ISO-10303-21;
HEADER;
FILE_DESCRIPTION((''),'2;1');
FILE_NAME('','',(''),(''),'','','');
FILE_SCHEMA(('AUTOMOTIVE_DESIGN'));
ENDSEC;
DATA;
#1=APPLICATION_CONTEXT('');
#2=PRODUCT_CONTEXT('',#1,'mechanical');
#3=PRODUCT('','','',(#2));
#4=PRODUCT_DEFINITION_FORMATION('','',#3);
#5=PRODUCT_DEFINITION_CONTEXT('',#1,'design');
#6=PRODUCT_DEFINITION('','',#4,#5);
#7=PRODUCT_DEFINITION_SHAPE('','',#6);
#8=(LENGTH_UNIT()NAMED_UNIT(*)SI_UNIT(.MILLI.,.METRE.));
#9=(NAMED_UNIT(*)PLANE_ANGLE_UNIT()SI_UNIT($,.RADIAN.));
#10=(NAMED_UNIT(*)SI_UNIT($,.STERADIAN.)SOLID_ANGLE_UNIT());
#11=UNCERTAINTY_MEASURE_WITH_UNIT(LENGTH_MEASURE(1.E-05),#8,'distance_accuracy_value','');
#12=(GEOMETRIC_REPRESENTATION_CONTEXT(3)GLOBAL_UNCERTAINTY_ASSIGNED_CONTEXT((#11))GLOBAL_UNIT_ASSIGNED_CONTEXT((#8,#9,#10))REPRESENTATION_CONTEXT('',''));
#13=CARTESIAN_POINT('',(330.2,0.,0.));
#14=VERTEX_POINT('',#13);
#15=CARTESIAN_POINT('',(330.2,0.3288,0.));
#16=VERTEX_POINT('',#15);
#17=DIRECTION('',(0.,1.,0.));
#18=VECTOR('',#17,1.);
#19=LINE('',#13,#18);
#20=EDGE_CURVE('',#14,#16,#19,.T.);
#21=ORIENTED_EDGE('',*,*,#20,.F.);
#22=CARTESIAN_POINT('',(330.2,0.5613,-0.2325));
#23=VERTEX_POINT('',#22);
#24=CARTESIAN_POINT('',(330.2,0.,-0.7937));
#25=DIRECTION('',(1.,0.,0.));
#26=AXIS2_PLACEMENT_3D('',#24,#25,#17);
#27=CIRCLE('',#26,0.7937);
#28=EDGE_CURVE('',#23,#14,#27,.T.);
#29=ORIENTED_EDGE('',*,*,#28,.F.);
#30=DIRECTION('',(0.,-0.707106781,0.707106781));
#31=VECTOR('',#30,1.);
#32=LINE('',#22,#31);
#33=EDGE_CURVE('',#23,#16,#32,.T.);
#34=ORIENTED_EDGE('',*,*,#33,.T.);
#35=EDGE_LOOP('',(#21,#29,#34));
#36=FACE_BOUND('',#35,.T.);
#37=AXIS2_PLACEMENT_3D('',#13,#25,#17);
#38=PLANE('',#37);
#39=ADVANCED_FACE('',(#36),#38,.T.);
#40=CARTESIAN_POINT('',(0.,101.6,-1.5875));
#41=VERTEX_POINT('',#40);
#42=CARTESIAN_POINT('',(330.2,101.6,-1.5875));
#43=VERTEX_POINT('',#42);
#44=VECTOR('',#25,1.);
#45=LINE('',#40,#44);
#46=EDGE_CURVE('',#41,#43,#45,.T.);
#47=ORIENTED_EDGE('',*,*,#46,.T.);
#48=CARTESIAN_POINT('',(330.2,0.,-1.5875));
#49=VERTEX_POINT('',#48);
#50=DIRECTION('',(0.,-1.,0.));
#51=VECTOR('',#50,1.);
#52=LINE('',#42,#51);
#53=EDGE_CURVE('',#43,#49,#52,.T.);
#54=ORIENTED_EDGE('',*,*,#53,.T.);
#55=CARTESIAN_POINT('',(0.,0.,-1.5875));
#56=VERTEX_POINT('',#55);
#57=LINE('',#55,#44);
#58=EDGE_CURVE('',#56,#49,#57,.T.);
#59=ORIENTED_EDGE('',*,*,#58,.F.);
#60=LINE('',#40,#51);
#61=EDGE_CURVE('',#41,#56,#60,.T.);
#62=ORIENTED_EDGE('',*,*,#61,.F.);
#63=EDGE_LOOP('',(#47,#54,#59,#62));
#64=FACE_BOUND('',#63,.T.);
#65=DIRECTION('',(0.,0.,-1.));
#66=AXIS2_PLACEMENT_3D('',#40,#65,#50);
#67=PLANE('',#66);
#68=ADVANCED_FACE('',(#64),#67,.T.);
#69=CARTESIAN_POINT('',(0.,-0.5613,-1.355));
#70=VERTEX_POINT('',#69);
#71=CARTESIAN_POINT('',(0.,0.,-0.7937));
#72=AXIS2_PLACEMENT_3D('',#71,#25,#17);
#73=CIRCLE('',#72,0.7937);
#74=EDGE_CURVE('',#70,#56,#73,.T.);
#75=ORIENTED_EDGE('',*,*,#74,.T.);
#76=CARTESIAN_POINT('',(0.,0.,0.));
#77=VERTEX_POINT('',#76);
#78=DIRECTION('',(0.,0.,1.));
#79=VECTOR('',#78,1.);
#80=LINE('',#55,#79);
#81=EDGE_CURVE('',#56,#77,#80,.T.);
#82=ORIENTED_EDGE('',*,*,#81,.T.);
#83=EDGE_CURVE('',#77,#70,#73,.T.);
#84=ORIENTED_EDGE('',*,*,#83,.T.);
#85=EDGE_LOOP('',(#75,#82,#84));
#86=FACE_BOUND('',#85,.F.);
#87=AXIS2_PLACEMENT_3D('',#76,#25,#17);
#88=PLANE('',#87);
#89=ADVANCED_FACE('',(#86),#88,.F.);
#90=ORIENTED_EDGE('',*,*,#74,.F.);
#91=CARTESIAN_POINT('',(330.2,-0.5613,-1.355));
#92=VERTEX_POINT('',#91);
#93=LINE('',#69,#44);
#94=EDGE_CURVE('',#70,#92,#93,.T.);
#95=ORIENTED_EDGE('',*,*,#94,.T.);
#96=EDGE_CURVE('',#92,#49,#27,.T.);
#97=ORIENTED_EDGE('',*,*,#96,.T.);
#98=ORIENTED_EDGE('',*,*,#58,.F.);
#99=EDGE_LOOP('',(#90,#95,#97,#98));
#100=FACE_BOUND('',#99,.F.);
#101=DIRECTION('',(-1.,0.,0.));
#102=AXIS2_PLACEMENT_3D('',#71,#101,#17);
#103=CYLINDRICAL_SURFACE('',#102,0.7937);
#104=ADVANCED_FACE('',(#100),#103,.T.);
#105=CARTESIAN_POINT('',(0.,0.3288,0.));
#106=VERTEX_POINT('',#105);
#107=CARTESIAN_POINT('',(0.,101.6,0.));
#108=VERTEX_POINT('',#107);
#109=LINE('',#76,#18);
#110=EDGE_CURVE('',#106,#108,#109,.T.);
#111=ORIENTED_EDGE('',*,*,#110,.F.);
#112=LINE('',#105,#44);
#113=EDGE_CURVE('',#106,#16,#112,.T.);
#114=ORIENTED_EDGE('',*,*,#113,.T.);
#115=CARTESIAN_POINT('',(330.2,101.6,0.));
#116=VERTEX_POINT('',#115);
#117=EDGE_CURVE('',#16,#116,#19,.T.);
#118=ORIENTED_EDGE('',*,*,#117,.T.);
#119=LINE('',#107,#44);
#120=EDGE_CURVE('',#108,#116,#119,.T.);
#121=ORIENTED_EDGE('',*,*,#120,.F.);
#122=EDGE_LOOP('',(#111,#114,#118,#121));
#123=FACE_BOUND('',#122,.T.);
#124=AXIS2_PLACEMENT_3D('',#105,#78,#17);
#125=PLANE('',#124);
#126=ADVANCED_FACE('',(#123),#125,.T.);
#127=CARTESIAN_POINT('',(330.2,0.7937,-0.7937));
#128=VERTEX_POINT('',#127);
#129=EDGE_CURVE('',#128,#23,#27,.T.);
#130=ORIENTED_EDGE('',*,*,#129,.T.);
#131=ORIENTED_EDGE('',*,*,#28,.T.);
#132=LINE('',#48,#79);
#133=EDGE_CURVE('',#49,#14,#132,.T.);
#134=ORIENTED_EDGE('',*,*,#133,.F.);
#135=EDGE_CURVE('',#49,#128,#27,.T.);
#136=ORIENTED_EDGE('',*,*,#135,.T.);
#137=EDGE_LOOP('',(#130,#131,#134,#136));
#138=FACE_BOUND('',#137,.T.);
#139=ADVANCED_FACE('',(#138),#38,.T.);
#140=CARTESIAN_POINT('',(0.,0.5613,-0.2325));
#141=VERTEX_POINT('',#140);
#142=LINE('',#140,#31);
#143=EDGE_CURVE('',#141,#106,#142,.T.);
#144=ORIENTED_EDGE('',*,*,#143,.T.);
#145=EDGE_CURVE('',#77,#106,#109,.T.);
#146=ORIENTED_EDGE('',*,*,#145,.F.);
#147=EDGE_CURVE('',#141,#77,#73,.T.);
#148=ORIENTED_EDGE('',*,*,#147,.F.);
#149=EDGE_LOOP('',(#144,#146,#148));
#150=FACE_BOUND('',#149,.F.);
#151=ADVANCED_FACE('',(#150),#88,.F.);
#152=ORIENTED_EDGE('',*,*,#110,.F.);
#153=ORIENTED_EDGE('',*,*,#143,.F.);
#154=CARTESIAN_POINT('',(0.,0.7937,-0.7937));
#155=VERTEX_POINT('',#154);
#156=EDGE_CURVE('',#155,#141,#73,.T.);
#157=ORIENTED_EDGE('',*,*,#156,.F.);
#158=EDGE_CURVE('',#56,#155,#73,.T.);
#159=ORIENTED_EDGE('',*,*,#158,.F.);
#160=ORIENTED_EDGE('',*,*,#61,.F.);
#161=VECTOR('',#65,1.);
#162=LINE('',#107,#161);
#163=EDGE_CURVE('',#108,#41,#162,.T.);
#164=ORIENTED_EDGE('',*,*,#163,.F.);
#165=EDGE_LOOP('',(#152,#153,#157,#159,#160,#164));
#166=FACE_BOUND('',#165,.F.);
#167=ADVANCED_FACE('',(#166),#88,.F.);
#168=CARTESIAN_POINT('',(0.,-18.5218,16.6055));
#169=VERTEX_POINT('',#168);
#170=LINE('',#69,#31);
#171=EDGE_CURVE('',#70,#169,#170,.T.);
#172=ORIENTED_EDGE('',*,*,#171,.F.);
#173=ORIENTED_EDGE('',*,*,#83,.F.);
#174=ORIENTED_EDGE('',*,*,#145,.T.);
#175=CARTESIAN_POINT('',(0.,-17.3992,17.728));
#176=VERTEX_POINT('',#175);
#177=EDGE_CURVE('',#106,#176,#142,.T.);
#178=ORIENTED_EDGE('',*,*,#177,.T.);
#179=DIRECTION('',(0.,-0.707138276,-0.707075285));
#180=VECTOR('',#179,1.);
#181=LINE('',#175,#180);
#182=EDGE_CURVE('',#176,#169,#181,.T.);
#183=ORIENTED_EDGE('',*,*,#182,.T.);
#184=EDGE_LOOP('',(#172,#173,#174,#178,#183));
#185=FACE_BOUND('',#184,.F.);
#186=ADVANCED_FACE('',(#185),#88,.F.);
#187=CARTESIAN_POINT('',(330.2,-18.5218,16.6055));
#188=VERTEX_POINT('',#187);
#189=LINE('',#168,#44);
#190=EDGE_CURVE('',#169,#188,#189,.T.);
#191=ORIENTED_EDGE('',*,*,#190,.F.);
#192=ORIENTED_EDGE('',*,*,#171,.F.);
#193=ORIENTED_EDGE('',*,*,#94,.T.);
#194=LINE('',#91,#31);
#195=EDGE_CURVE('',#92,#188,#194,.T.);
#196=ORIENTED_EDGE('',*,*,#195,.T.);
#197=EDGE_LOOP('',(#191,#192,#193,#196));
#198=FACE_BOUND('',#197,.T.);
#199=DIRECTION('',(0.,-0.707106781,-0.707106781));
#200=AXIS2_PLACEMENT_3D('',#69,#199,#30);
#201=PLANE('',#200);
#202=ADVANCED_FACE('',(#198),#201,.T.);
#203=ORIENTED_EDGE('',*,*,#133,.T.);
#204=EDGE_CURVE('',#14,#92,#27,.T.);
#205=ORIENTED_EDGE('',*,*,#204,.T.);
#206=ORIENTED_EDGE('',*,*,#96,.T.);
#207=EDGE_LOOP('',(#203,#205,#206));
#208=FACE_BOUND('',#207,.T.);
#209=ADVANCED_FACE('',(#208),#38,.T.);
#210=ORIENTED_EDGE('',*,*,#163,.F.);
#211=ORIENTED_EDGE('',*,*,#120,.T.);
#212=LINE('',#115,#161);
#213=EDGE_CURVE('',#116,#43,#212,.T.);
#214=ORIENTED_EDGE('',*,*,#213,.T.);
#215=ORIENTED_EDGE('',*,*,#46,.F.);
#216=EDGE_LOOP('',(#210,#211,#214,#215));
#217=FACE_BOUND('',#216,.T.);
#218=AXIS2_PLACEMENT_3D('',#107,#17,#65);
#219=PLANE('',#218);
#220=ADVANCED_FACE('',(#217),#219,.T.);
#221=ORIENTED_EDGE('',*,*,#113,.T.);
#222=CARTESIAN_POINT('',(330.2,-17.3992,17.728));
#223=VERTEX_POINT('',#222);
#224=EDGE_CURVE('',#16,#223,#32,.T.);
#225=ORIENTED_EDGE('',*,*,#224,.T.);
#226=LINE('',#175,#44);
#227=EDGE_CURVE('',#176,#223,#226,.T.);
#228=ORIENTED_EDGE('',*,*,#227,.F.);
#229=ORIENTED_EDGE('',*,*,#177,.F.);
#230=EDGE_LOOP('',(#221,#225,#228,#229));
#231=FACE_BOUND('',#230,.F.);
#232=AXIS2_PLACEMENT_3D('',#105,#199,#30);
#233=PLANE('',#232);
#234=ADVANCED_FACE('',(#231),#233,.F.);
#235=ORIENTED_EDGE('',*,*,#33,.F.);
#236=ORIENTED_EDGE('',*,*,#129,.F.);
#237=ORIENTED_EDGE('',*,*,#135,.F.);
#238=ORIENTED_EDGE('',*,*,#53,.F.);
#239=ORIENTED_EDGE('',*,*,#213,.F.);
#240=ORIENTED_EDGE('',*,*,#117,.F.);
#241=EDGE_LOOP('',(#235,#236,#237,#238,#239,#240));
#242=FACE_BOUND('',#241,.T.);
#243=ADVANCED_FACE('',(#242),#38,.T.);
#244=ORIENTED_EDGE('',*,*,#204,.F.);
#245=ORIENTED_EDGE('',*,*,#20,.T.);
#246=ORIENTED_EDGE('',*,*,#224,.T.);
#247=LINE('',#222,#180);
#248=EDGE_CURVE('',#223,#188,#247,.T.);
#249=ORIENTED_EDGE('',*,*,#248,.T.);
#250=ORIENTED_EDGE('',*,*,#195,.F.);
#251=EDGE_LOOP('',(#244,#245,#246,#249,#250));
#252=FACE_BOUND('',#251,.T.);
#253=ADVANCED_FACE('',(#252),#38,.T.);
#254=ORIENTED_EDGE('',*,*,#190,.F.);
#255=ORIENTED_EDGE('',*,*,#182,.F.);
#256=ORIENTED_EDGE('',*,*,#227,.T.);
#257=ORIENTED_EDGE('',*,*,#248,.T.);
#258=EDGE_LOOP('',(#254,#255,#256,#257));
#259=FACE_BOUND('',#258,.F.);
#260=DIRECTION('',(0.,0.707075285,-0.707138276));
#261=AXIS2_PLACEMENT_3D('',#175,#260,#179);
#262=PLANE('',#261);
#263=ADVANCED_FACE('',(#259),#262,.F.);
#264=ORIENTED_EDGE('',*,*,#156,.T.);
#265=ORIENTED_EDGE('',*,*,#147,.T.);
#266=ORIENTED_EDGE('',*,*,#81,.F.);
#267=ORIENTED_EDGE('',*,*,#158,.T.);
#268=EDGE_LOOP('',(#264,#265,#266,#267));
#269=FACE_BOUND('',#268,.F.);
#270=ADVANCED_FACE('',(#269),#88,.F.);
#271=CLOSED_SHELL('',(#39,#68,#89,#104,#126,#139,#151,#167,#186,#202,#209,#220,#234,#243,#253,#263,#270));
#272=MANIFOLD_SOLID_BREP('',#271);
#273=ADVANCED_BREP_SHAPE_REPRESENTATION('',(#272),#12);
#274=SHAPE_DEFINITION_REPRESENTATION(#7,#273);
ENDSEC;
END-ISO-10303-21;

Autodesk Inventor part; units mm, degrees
ref_plane "YZ Plane" through (0, 0, 0) normal (1, 0, 0) x (0, 1, 0)
ref_plane "XZ Plane" through (0, 0, 0) normal (0, 1, 0) x (-1, 0, 0)
ref_plane "XY Plane" through (0, 0, 0) normal (0, 0, 1) x (1, 0, 0)
sketch "Sketch1" plane through (0, 0, 0) normal (1, 0, 0) x (0, 1, 0)
  line L0 (0, 0) -> (101.6, 0)
  line L1 (101.6, 0) -> (101.6, -1.5875)
  line L2 (101.6, -1.5875) -> (0, -1.5875)
  line L3 (0, -1.5875) -> (0, 0)
  circle A0 centre (0, -0.7937) radius 0.7937
  line L4 (0.5613, -0.2325) -> (-17.3992, 17.728)
  line L5 (-0.5613, -1.355) -> (-18.5218, 16.6055)
  line L6 (-17.3992, 17.728) -> (-18.5218, 16.6055)
  point P0 (0.3288, 0)
  dimension "d0" = 101.6
  dimension "d1" = 1.5875
  dimension "d2" = 25.4
  dimension "d3" = 135
  dimension "d4" = 25.4
extrude "Extrusion1" add sketch "Sketch1" along normal blind 330.2
properties part number "Wedge" material "Polycarbonate, Clear"
